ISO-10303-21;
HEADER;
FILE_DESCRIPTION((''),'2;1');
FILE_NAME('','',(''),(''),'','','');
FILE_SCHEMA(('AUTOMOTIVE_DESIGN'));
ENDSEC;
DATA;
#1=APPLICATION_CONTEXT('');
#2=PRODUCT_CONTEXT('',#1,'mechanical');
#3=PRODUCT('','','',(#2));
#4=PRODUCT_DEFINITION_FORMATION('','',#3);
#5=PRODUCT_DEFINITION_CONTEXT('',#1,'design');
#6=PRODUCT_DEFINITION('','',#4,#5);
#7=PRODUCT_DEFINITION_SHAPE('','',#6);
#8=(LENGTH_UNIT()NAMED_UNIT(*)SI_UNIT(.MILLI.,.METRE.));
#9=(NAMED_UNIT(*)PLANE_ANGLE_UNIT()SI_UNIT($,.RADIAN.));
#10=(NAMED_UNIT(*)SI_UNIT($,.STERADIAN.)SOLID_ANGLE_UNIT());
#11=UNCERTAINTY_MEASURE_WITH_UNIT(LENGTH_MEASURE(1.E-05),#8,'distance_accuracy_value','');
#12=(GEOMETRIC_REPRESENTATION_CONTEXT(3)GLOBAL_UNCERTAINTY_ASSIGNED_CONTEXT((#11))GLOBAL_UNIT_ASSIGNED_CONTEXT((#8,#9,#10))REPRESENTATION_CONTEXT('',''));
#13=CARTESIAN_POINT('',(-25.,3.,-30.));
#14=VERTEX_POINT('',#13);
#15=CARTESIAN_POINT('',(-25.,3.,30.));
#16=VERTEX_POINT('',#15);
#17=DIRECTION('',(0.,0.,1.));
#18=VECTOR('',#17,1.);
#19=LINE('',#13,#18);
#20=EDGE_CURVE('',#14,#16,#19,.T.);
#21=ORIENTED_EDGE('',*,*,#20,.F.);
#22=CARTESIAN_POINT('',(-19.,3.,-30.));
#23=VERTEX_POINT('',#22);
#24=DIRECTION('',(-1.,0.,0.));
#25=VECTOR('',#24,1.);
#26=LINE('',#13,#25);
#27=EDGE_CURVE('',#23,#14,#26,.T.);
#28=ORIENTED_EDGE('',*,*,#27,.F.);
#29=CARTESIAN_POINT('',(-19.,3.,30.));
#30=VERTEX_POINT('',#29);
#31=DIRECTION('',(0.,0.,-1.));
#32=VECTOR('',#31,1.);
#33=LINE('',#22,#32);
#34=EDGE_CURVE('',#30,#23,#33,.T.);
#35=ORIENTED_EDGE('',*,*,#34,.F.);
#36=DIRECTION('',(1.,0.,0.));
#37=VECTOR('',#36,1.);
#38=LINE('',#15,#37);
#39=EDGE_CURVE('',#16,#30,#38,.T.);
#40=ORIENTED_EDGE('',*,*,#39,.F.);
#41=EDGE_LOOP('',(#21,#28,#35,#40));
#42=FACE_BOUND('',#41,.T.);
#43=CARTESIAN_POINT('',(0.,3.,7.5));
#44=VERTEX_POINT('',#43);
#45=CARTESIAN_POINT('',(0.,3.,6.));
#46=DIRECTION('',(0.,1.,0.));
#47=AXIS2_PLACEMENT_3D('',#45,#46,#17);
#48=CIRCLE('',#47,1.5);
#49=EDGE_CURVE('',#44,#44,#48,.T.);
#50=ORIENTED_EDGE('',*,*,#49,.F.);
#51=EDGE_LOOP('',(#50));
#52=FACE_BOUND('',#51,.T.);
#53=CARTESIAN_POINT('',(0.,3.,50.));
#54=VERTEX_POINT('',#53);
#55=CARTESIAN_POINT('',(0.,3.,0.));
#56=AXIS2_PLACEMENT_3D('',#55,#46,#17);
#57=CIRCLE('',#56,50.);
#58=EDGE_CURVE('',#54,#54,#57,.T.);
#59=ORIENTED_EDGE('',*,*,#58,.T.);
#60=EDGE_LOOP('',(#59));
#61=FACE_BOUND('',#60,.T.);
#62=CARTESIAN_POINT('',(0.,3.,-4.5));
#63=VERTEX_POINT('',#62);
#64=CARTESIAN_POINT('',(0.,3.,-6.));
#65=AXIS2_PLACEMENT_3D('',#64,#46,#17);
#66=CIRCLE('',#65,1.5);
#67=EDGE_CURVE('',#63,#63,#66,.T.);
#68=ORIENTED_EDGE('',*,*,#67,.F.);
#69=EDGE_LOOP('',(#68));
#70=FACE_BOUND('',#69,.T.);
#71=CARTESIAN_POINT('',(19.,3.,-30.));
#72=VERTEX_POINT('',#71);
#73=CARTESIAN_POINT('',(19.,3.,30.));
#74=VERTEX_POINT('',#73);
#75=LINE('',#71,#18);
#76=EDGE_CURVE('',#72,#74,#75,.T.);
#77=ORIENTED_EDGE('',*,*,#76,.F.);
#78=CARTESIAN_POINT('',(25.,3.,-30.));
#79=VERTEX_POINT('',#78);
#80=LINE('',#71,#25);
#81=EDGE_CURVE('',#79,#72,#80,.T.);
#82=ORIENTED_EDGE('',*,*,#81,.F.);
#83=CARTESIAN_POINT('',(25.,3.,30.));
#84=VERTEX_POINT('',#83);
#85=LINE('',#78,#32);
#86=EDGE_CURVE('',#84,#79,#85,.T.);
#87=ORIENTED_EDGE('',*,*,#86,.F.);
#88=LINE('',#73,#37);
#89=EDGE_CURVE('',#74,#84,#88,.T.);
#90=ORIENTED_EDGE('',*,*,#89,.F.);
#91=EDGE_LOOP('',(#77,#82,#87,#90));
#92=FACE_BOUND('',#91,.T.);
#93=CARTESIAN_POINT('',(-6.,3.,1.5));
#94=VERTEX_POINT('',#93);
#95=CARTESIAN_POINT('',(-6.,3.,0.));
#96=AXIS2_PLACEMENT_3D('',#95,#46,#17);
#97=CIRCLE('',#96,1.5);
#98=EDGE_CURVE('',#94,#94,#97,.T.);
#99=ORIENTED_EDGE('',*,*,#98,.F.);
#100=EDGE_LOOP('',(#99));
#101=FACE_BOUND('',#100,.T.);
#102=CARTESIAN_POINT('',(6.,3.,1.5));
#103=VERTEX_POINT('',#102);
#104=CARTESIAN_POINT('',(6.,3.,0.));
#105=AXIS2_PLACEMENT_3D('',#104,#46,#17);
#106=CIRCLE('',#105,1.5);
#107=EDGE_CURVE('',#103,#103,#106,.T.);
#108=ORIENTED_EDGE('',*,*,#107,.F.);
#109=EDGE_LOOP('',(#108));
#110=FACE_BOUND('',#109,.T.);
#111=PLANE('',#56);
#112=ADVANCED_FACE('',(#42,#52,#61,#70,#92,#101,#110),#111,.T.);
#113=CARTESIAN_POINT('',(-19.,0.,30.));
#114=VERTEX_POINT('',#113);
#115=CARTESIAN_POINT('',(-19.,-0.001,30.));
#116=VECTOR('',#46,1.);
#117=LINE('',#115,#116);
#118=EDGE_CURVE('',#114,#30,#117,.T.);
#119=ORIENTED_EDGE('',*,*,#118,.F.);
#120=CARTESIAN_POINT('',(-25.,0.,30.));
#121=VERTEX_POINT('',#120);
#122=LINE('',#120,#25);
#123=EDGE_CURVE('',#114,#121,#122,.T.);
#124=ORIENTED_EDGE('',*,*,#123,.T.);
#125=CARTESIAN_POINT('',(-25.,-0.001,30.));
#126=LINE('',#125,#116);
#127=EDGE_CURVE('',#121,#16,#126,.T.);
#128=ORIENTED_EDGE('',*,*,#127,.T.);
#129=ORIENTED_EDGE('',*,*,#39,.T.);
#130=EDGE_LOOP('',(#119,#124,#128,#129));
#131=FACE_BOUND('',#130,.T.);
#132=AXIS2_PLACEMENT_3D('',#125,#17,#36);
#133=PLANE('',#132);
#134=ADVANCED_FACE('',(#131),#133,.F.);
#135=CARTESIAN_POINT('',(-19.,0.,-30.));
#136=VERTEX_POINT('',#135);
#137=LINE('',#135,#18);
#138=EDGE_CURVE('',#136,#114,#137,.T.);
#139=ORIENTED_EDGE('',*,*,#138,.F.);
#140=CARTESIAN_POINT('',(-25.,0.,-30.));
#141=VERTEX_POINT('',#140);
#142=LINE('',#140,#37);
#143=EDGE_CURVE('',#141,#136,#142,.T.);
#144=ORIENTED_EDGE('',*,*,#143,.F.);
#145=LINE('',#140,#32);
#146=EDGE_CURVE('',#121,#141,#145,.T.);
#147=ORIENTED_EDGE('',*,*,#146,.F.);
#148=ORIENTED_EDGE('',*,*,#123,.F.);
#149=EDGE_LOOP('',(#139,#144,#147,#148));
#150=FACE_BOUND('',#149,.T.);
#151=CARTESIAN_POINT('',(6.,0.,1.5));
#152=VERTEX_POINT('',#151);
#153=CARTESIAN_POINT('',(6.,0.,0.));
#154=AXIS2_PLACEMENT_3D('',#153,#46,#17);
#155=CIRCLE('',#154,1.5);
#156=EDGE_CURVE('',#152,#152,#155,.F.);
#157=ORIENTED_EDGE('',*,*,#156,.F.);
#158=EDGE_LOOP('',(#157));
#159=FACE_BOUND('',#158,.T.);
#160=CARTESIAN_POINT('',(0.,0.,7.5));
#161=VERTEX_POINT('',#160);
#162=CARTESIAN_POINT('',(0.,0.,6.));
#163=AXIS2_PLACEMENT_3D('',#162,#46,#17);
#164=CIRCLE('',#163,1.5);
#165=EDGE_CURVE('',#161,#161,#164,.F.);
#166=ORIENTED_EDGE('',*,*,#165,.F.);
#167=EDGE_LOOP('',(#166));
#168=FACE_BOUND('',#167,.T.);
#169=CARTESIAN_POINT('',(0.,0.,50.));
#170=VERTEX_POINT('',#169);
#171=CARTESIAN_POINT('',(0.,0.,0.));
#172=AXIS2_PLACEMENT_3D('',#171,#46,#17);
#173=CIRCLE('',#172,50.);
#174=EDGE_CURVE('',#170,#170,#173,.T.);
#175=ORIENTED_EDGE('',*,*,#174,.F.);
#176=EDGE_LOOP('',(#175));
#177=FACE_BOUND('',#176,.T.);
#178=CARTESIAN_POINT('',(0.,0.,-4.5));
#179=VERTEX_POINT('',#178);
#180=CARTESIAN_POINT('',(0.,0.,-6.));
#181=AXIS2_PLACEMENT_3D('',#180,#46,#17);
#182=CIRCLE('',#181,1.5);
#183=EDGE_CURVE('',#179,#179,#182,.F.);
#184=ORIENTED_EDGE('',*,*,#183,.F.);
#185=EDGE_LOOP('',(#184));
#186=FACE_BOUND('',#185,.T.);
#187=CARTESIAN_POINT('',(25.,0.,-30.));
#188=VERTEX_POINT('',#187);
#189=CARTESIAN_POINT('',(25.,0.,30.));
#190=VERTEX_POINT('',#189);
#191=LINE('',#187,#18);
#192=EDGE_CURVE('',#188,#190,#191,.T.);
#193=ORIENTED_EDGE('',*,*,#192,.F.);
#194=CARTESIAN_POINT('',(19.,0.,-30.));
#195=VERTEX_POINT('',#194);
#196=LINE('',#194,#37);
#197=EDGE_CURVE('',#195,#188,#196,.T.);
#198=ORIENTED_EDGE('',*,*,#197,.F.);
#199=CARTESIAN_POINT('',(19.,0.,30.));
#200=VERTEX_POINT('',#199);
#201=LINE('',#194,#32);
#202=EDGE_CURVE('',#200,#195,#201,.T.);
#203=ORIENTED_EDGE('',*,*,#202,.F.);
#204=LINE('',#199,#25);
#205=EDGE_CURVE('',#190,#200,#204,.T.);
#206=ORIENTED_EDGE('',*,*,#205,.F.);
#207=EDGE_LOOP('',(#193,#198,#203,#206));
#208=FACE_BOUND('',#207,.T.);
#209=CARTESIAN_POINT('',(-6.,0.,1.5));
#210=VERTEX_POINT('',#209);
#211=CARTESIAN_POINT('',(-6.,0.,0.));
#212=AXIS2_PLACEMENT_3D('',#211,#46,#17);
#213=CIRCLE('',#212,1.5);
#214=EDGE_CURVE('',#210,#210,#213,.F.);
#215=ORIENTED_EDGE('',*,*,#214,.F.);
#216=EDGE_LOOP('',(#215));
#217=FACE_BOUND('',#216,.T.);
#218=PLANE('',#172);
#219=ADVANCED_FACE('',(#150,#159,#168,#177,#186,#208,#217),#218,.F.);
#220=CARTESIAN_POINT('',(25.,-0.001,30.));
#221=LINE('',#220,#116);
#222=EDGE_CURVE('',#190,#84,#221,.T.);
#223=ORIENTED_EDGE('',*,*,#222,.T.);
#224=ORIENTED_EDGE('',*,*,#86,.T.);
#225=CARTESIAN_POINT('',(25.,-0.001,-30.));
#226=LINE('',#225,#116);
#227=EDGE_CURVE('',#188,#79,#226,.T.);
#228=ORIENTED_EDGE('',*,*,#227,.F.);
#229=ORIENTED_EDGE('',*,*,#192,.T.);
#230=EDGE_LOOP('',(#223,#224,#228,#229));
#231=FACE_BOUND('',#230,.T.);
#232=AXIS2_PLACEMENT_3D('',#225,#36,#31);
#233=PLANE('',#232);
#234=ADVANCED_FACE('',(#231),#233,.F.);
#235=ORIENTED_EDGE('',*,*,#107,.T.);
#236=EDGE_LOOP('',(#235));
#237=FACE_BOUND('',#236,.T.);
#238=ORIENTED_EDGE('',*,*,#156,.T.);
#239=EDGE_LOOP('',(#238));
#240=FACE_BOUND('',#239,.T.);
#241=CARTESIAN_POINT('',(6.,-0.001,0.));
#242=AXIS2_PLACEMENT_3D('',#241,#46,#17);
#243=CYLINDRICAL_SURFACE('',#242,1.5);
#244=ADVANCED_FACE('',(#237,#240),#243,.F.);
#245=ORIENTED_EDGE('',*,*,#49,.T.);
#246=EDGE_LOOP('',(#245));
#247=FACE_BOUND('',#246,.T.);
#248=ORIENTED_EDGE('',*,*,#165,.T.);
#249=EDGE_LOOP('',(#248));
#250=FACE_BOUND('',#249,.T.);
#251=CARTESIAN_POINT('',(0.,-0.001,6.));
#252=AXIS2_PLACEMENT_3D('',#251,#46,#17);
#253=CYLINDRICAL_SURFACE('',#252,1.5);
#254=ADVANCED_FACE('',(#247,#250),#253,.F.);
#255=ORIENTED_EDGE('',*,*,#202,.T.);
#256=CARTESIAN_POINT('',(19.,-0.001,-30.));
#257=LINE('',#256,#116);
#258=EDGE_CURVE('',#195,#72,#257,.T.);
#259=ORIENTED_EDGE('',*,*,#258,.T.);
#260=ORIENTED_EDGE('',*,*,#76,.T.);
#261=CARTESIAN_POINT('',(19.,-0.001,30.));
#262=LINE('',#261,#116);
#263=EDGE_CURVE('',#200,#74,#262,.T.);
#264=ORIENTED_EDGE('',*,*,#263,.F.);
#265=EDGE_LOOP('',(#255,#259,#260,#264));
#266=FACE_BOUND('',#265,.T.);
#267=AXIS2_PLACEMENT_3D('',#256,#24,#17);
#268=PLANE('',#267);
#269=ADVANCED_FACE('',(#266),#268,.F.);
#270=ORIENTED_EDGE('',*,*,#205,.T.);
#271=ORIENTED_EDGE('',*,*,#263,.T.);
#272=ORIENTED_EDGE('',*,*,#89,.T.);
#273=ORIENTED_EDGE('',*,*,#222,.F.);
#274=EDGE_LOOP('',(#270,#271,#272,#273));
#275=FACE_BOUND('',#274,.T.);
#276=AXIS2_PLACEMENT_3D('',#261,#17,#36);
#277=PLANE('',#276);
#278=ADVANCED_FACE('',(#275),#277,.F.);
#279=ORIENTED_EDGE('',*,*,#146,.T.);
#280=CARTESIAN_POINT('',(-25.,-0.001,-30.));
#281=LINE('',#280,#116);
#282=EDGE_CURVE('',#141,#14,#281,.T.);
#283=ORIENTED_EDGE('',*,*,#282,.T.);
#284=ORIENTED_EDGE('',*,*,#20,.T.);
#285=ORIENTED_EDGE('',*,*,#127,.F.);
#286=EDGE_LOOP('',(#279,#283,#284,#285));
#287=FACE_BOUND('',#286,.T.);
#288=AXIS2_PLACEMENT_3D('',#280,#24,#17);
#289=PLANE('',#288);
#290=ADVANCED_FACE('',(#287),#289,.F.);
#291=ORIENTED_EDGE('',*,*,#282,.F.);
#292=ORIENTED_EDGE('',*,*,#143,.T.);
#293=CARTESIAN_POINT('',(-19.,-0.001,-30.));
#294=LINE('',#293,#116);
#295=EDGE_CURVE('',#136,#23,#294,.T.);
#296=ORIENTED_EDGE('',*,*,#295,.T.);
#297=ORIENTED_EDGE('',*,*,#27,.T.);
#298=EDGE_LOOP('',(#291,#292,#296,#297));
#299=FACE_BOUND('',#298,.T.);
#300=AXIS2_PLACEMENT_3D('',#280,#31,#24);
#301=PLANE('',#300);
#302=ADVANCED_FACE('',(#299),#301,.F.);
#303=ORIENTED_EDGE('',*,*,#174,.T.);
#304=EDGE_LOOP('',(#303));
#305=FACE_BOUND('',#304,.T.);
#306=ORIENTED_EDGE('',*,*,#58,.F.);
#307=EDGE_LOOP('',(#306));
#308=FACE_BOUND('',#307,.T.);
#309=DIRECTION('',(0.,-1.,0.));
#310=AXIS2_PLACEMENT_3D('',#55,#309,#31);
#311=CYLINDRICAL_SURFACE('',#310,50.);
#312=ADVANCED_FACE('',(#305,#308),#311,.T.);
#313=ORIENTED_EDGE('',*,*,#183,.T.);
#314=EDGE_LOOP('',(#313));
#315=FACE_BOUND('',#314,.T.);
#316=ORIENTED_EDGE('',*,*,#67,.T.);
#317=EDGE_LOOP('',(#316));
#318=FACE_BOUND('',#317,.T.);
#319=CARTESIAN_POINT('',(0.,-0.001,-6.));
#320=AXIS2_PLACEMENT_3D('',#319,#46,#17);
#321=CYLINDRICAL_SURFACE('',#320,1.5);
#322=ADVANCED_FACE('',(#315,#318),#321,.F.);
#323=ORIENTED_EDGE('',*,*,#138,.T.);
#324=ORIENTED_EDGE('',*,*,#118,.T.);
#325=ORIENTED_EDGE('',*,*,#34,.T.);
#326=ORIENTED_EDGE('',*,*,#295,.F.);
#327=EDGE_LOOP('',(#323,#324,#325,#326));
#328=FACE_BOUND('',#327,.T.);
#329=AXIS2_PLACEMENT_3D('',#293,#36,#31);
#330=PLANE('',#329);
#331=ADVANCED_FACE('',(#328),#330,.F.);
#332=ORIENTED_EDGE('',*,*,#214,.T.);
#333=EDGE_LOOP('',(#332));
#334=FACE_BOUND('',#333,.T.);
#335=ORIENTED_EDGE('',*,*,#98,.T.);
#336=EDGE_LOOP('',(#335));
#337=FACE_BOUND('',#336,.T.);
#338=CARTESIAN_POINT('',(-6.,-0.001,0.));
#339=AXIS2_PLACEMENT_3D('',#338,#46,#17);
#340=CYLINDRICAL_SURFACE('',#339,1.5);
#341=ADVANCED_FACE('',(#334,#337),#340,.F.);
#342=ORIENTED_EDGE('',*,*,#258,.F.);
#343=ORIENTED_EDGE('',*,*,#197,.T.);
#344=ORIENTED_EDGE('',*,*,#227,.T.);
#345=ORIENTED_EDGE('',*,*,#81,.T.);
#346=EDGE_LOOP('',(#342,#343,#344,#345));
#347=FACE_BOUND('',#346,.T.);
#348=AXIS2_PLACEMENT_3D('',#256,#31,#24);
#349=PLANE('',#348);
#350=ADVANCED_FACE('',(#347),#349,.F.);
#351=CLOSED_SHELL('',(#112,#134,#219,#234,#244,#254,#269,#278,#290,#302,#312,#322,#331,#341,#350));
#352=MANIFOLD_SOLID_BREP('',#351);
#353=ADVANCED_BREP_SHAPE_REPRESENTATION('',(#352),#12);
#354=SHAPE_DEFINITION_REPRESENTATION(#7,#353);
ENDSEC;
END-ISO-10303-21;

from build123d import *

# Parameters (mm, degrees)
CROQUIS1_R              = 50
SALIENTE_EXTRUIR1_DEPTH = 3
CORTAR_EXTRUIR1_REACH   = 5
CROQUIS2_R              = 1.5
CORTAR_EXTRUIR2_REACH   = 5
CROQUIS3_W              = 6
CROQUIS3_H              = 60


with BuildPart() as part:
    # Croquis1 → Saliente-Extruir1 (new body)
    with BuildSketch(Plane(origin=(0, 0, 0), x_dir=(1, 0, 0), z_dir=(0, 1, 0))):
        Circle(CROQUIS1_R)
    extrude(amount=SALIENTE_EXTRUIR1_DEPTH)

    # Croquis2 → Cortar-Extruir1 (cut, up to next)
    with BuildSketch(Plane(origin=(0, 3, 0), x_dir=(1, 0, 0), z_dir=(0, 1, 0)), mode=Mode.PRIVATE) as cortar_extruir1_sk1:
        with Locations((0, 6)):
            Circle(CROQUIS2_R)
    cortar_extruir1_tool1 = extrude(cortar_extruir1_sk1.sketch, amount=-CORTAR_EXTRUIR1_REACH, mode=Mode.PRIVATE) & part.part
    add(cortar_extruir1_tool1.solids().sort_by_distance((0, 3, -6))[0], mode=Mode.SUBTRACT)
    # Croquis2 → Cortar-Extruir1 (cut, up to next)
    with BuildSketch(Plane(origin=(0, 3, 0), x_dir=(1, 0, 0), z_dir=(0, 1, 0)), mode=Mode.PRIVATE) as cortar_extruir1_sk2:
        with Locations((6, 0)):
            Circle(CROQUIS2_R)
    cortar_extruir1_tool2 = extrude(cortar_extruir1_sk2.sketch, amount=-CORTAR_EXTRUIR1_REACH, mode=Mode.PRIVATE) & part.part
    add(cortar_extruir1_tool2.solids().sort_by_distance((6, 3, 0))[0], mode=Mode.SUBTRACT)
    # Croquis2 → Cortar-Extruir1 (cut, up to next)
    with BuildSketch(Plane(origin=(0, 3, 0), x_dir=(1, 0, 0), z_dir=(0, 1, 0)), mode=Mode.PRIVATE) as cortar_extruir1_sk3:
        with Locations((0, -6)):
            Circle(CROQUIS2_R)
    cortar_extruir1_tool3 = extrude(cortar_extruir1_sk3.sketch, amount=-CORTAR_EXTRUIR1_REACH, mode=Mode.PRIVATE) & part.part
    add(cortar_extruir1_tool3.solids().sort_by_distance((0, 3, 6))[0], mode=Mode.SUBTRACT)
    # Croquis2 → Cortar-Extruir1 (cut, up to next)
    with BuildSketch(Plane(origin=(0, 3, 0), x_dir=(1, 0, 0), z_dir=(0, 1, 0)), mode=Mode.PRIVATE) as cortar_extruir1_sk4:
        with Locations((-6, 0)):
            Circle(CROQUIS2_R)
    cortar_extruir1_tool4 = extrude(cortar_extruir1_sk4.sketch, amount=-CORTAR_EXTRUIR1_REACH, mode=Mode.PRIVATE) & part.part
    add(cortar_extruir1_tool4.solids().sort_by_distance((-6, 3, 0))[0], mode=Mode.SUBTRACT)

    # Croquis3 → Cortar-Extruir2 (cut, up to next)
    with BuildSketch(Plane(origin=(0, 3, 0), x_dir=(1, 0, 0), z_dir=(0, 1, 0)), mode=Mode.PRIVATE) as cortar_extruir2_sk1:
        with Locations((22, 0)):
            Rectangle(CROQUIS3_W, CROQUIS3_H)
    cortar_extruir2_tool1 = extrude(cortar_extruir2_sk1.sketch, amount=-CORTAR_EXTRUIR2_REACH, mode=Mode.PRIVATE) & part.part
    add(cortar_extruir2_tool1.solids().sort_by_distance((22, 3, 0))[0], mode=Mode.SUBTRACT)
    # Croquis3 → Cortar-Extruir2 (cut, up to next)
    with BuildSketch(Plane(origin=(0, 3, 0), x_dir=(1, 0, 0), z_dir=(0, 1, 0)), mode=Mode.PRIVATE) as cortar_extruir2_sk2:
        with Locations((-22, 0)):
            Rectangle(CROQUIS3_W, CROQUIS3_H)
    cortar_extruir2_tool2 = extrude(cortar_extruir2_sk2.sketch, amount=-CORTAR_EXTRUIR2_REACH, mode=Mode.PRIVATE) & part.part
    add(cortar_extruir2_tool2.solids().sort_by_distance((-22, 3, 0))[0], mode=Mode.SUBTRACT)


solid = part.part
